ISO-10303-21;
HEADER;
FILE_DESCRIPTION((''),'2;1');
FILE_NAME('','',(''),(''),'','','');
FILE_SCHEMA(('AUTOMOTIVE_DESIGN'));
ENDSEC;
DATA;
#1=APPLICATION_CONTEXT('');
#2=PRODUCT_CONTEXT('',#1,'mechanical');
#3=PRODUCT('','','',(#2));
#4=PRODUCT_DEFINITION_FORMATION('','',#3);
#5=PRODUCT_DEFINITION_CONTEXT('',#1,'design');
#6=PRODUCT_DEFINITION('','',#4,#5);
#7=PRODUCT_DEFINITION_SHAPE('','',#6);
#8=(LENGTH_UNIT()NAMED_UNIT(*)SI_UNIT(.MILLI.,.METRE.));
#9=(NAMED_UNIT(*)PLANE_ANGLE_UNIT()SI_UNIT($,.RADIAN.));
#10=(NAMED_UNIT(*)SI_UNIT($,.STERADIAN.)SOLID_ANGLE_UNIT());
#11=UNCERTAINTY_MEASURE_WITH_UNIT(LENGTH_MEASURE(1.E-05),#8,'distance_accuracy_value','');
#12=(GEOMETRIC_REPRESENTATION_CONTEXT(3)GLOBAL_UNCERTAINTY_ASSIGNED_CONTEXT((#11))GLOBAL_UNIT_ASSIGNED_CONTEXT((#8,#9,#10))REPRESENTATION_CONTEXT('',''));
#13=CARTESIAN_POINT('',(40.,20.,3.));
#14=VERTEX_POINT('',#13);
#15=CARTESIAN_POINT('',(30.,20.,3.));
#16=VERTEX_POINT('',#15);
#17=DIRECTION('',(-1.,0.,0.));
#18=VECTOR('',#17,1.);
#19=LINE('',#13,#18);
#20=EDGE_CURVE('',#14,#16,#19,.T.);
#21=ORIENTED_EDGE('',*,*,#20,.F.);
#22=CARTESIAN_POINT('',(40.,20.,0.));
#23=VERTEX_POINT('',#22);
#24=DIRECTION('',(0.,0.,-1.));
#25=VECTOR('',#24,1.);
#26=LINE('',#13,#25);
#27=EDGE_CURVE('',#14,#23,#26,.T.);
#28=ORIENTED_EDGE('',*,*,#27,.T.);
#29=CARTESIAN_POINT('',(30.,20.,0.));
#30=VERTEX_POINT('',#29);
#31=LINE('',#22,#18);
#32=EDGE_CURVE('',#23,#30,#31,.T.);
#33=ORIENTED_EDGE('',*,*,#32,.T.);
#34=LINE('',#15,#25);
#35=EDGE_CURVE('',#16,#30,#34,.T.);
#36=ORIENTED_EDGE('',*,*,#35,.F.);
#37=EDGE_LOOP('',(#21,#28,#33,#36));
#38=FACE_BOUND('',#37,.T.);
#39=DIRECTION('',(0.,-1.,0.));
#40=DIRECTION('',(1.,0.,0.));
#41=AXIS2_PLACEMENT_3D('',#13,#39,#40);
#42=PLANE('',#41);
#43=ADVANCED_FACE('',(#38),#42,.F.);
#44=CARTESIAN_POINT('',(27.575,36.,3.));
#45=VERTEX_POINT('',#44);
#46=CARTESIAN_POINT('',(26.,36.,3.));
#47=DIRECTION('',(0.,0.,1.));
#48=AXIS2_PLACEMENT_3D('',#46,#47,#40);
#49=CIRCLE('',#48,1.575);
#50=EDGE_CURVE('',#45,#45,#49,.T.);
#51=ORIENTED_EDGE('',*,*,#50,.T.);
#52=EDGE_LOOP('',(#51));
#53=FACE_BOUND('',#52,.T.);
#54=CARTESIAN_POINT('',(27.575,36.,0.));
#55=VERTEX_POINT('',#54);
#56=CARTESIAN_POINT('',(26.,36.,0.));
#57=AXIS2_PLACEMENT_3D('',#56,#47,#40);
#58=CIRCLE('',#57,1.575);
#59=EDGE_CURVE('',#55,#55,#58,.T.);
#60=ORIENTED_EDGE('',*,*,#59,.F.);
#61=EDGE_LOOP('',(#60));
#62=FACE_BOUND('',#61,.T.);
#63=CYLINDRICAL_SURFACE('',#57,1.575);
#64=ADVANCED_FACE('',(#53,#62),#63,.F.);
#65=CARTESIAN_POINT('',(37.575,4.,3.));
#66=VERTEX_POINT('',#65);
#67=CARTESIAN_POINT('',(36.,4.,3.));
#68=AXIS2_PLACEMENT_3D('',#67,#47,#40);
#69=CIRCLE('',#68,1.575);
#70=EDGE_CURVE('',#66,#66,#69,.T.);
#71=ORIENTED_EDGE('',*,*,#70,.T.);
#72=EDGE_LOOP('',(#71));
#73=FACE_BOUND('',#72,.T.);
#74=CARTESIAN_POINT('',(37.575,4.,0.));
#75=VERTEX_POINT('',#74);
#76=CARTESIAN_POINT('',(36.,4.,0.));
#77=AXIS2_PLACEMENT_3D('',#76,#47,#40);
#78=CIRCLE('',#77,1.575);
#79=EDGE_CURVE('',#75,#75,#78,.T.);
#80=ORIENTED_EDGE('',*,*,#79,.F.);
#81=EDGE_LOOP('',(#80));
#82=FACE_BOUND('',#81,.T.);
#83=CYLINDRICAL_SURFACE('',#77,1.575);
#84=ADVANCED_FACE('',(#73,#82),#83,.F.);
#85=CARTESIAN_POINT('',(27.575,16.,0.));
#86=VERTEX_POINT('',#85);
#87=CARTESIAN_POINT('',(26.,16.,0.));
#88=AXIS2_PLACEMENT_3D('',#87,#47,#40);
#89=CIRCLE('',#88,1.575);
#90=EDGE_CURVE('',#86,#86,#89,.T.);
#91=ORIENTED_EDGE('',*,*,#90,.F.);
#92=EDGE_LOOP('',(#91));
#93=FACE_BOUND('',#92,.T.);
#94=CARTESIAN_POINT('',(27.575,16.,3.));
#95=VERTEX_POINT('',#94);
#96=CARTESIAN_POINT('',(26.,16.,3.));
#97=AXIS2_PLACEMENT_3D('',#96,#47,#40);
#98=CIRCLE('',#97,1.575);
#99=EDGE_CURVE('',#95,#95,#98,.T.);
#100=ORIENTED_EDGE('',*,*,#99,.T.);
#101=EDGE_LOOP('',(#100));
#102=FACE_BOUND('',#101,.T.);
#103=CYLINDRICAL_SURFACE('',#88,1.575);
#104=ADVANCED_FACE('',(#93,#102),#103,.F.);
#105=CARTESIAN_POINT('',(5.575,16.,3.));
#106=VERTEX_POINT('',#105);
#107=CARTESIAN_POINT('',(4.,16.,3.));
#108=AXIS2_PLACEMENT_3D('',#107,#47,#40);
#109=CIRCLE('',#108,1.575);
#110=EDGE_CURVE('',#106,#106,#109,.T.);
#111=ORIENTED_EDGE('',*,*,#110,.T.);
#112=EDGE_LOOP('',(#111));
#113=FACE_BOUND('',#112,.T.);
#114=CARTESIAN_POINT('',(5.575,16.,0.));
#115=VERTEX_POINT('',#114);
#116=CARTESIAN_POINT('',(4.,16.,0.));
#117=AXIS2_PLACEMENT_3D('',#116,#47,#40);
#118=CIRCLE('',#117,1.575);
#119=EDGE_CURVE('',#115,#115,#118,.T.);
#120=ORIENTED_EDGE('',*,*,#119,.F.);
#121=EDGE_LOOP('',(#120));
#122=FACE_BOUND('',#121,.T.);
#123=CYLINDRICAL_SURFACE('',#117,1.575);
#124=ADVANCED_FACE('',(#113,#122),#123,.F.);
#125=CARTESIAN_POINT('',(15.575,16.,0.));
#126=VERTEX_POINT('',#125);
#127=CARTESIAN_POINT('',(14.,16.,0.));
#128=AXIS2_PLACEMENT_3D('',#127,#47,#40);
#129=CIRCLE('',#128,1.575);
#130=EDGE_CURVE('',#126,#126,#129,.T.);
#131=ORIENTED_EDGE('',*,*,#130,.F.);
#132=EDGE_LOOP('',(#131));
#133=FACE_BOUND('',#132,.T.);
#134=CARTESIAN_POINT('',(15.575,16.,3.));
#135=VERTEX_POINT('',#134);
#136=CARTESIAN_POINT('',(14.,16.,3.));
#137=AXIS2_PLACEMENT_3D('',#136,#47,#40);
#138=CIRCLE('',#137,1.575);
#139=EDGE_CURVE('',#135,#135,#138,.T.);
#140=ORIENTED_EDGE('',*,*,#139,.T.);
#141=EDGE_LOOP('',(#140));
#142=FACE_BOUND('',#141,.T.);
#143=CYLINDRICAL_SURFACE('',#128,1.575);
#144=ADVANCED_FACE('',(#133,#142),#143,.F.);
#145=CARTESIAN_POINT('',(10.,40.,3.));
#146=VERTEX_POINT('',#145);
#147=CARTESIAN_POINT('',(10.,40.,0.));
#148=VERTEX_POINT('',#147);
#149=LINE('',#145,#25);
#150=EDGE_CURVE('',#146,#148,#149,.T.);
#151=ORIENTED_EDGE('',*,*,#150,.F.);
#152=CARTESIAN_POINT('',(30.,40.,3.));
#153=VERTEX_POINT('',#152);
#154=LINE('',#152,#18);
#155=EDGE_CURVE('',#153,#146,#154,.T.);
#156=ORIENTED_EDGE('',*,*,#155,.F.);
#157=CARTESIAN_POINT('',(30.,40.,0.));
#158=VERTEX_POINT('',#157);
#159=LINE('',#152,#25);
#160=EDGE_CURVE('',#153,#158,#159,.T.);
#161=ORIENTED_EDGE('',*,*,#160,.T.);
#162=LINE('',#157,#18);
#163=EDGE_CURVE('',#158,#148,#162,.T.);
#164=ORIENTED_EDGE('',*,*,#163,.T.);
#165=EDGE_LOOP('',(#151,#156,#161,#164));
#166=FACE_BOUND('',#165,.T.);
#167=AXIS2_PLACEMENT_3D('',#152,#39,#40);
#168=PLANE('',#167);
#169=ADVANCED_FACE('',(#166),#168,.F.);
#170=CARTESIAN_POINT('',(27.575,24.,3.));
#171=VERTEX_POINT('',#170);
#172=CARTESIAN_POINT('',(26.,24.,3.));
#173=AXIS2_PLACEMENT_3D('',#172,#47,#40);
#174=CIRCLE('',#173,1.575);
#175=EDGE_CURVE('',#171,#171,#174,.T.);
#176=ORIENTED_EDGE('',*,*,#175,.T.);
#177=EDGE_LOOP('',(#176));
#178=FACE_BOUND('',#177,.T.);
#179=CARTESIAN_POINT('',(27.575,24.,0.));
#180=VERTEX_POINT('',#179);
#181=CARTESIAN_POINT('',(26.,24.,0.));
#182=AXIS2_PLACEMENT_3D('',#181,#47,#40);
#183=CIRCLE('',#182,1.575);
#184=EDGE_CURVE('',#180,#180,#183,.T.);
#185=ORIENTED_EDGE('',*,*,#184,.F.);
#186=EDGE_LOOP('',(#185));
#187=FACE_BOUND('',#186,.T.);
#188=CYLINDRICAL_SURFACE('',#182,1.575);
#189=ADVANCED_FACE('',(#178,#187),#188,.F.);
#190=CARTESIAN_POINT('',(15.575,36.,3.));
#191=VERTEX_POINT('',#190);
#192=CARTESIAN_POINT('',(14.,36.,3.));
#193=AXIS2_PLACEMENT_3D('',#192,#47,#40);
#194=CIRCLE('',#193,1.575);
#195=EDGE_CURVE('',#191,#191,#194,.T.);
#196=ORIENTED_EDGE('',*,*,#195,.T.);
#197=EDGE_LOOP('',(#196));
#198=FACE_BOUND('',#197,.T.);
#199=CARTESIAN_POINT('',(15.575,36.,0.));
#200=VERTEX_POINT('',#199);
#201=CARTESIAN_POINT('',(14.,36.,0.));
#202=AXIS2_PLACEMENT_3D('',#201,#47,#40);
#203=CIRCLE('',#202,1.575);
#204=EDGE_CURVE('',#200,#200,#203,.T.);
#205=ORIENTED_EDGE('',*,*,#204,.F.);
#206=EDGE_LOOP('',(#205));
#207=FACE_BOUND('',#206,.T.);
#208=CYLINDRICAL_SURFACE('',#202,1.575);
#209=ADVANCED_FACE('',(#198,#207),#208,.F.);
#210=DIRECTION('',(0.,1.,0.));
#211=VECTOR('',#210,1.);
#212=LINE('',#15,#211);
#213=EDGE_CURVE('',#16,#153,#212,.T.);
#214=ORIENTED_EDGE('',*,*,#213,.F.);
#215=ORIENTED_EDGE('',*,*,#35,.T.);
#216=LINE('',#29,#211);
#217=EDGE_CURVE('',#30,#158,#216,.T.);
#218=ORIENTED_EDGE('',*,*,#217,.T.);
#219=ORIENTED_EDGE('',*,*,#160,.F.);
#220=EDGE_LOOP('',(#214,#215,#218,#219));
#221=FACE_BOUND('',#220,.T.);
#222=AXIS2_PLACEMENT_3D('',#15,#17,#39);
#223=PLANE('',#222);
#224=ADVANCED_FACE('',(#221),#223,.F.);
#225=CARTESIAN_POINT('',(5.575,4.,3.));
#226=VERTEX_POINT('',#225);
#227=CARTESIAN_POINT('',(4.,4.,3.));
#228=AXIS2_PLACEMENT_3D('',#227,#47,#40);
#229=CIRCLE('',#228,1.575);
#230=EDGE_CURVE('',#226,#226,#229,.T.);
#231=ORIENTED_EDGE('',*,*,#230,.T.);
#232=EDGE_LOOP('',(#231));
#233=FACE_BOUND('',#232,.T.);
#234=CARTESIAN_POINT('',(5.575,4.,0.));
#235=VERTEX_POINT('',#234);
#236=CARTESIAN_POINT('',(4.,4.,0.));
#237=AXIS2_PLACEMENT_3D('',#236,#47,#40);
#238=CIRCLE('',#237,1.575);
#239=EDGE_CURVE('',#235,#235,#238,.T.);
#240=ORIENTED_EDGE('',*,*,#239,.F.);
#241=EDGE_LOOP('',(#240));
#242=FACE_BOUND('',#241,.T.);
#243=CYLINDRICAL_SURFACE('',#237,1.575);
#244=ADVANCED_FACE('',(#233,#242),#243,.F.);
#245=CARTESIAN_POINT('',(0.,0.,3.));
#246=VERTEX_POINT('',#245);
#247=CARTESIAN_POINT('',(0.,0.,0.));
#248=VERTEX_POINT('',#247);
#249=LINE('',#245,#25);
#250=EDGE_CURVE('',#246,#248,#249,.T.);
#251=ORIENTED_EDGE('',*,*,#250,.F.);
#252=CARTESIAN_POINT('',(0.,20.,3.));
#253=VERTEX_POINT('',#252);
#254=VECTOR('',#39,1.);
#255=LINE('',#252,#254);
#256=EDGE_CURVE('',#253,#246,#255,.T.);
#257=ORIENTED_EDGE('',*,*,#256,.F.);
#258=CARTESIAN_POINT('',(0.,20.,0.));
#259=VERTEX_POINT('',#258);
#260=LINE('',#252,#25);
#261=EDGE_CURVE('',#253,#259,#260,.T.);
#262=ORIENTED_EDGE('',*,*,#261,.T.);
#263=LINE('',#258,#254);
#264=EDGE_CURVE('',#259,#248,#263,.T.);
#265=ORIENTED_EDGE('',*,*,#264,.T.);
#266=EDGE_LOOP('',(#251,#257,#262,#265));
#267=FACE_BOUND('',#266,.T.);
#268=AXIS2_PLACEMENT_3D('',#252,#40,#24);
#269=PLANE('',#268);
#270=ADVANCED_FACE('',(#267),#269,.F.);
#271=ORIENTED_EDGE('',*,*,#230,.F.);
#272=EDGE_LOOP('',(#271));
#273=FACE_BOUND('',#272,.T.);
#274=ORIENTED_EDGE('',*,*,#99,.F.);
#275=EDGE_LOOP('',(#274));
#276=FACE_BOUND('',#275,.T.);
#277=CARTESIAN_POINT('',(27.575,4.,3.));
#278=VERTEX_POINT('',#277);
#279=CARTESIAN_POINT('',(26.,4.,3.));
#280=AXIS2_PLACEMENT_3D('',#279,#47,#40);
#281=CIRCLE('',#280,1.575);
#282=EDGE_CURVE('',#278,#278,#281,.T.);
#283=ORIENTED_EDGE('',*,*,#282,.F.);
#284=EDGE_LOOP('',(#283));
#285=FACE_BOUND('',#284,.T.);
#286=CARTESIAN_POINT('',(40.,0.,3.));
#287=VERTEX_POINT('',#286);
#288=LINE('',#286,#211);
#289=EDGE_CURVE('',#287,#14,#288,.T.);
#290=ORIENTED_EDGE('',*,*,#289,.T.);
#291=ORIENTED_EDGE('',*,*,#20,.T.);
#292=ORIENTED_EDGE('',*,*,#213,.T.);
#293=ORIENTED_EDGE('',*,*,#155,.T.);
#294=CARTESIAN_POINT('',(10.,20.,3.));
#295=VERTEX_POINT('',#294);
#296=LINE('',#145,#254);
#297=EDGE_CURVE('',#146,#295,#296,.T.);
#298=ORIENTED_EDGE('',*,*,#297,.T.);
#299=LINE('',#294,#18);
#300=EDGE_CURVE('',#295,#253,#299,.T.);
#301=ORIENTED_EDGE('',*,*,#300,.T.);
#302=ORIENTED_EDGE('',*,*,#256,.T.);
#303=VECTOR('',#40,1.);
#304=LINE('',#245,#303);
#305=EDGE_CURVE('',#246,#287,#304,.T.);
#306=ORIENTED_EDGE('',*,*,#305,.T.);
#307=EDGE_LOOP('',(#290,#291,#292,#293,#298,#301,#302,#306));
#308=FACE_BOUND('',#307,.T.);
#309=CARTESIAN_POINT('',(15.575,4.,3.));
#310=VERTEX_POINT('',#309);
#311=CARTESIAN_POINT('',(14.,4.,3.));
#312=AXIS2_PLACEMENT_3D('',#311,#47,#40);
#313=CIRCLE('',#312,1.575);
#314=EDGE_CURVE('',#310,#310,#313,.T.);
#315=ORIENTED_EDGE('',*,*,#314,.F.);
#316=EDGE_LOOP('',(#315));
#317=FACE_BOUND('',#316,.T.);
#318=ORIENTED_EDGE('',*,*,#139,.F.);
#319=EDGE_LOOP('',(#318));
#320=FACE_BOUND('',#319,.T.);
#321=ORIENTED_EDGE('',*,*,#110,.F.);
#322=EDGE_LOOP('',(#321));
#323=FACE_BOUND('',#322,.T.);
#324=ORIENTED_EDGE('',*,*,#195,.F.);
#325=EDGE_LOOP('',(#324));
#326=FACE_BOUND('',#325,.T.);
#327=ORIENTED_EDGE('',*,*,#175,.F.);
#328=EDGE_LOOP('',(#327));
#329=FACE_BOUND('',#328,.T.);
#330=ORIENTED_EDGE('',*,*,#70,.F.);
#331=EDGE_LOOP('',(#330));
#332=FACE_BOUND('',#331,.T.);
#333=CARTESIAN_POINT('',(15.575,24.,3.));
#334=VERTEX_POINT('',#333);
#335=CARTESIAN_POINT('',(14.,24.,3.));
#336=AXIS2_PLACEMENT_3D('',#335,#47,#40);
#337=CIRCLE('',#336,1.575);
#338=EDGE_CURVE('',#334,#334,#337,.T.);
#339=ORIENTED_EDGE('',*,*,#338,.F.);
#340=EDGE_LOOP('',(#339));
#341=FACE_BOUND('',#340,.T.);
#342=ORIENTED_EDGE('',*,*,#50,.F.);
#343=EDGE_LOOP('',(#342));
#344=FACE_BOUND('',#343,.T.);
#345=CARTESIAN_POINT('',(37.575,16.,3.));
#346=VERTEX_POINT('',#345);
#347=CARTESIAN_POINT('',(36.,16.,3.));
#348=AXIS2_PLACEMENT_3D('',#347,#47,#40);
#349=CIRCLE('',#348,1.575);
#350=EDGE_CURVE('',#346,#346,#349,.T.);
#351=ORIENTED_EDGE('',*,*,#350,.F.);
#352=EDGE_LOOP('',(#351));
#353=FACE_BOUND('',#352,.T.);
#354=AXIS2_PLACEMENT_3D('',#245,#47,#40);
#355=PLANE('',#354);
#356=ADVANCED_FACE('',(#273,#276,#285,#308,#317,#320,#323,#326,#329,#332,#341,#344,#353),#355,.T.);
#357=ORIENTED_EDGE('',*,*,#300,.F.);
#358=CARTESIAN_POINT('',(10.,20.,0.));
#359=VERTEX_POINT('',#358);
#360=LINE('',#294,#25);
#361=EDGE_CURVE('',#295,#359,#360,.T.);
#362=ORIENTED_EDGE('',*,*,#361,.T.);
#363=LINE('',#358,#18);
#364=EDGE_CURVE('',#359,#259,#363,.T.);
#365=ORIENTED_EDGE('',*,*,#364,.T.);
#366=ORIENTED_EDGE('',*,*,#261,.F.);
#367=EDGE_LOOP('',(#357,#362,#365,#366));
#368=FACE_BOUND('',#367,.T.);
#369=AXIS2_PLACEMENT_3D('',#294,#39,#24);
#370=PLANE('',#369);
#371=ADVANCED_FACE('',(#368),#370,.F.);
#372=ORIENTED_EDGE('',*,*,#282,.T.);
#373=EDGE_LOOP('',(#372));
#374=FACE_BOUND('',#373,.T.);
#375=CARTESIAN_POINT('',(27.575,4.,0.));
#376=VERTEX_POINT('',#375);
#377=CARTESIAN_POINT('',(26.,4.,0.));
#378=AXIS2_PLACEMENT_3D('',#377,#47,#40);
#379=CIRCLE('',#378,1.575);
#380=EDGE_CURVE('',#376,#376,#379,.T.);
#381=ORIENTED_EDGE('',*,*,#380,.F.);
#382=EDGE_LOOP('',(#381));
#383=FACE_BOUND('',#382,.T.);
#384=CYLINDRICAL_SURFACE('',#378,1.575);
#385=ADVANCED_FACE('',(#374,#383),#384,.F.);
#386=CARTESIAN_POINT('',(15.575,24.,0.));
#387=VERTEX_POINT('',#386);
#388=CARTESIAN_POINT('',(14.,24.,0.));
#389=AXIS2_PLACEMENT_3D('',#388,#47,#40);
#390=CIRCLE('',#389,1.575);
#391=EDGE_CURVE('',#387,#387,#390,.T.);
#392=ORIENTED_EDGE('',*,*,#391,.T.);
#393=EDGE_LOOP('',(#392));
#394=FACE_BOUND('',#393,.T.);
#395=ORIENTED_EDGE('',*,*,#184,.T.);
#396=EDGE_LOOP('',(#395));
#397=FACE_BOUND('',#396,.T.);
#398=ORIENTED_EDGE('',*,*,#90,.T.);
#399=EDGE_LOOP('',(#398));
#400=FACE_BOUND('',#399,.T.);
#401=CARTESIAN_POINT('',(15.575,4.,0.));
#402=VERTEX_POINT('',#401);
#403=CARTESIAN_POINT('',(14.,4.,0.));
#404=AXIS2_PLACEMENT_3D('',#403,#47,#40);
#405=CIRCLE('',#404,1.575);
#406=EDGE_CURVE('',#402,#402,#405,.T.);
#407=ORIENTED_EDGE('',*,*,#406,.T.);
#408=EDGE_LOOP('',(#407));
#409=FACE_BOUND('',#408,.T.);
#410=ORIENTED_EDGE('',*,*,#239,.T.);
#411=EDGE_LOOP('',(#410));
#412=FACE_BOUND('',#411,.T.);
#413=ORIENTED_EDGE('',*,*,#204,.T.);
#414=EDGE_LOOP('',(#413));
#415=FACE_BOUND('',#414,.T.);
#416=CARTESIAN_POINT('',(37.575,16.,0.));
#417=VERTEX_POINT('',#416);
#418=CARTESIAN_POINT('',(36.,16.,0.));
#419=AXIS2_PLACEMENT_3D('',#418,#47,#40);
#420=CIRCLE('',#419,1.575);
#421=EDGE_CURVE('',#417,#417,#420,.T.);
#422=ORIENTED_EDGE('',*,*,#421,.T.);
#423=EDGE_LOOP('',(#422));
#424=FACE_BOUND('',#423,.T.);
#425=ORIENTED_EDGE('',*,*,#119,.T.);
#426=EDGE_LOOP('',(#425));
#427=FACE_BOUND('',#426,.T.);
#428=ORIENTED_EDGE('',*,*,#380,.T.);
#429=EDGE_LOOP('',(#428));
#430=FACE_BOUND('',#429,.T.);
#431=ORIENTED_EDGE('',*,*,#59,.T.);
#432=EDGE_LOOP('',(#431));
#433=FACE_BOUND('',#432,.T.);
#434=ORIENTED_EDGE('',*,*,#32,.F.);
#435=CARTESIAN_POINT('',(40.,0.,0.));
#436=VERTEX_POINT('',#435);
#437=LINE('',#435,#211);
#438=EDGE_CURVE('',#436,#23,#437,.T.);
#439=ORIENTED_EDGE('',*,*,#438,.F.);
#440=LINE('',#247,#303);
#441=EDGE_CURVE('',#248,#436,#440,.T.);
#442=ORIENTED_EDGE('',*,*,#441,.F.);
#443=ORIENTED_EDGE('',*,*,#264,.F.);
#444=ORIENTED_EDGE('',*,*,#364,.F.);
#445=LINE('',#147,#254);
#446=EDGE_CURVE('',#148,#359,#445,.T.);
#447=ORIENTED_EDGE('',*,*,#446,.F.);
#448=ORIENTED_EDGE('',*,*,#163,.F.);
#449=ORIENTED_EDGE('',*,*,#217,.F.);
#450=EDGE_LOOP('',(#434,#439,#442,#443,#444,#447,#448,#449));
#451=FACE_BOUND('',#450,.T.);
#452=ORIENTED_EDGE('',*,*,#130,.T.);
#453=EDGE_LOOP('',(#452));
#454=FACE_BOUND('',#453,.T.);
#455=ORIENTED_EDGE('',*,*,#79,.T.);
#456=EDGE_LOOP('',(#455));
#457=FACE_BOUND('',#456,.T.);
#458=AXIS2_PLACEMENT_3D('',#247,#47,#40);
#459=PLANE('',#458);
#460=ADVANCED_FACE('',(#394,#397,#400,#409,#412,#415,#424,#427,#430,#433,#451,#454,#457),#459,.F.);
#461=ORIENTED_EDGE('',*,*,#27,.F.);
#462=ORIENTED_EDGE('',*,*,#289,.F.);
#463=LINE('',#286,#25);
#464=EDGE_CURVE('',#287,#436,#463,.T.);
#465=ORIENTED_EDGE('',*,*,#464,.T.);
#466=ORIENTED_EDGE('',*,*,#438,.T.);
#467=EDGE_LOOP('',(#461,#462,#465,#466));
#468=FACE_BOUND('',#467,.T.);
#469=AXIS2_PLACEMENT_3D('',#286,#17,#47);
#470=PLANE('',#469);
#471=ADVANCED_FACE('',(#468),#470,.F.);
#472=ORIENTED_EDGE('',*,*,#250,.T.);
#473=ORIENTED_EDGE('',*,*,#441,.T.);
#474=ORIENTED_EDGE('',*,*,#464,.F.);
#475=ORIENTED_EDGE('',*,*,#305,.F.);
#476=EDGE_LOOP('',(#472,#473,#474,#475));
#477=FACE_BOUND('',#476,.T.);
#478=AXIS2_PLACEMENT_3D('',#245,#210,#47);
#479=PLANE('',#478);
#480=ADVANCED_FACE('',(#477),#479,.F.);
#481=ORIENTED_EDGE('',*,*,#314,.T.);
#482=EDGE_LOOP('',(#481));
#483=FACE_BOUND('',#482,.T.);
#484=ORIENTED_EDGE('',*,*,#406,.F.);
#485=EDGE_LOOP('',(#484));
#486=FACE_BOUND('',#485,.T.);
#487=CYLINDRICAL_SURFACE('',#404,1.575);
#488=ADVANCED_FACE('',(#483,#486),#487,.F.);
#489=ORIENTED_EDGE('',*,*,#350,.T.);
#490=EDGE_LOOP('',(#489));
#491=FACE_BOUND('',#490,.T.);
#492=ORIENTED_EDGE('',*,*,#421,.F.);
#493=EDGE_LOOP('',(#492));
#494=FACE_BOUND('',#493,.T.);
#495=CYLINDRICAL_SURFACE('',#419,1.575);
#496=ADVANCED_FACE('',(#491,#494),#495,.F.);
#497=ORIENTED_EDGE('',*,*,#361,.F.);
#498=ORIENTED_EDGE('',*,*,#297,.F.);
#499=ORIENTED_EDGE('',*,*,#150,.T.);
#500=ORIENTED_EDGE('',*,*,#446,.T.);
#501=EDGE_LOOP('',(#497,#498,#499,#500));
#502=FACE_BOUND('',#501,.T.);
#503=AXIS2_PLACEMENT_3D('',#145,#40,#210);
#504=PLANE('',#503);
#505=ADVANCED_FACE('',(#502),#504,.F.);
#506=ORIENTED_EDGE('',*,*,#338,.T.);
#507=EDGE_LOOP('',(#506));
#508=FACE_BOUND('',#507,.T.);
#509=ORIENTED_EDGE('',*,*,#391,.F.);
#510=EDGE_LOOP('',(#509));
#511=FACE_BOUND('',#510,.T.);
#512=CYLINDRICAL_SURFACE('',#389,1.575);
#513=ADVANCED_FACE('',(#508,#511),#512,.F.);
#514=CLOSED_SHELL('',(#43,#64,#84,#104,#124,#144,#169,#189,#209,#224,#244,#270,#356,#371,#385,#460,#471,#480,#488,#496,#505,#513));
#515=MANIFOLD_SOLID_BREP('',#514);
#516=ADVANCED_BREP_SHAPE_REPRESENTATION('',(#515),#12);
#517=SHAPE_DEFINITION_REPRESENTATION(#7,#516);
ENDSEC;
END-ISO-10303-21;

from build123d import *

# Parameters (mm, degrees)
EXTRUDE_1_DEPTH     = 3
SKETCH_2_R          = 1.575
CUT_EXTRUDE_1_DEPTH = 3


with BuildPart() as part:
    # 草图1 → 凸台-拉伸1 (new body)
    with BuildSketch(Plane.XY):
        Polygon((0, 0), (40, 0), (40, 20), (30, 20), (30, 40), (10, 40), (10, 20), (0, 20), align=None)
    extrude(amount=EXTRUDE_1_DEPTH)

    # 草图2 → 切除-拉伸1 (cut)
    with BuildSketch(Plane.XY.offset(3)):
        with Locations((14, 36)):
            Circle(SKETCH_2_R)
        with Locations((26, 36)):
            Circle(SKETCH_2_R)
        with Locations((26, 24)):
            Circle(SKETCH_2_R)
        with Locations((14, 24)):
            Circle(SKETCH_2_R)
        with Locations((4, 16)):
            Circle(SKETCH_2_R)
        with Locations((4, 4)):
            Circle(SKETCH_2_R)
        with Locations((14, 16)):
            Circle(SKETCH_2_R)
        with Locations((14, 4)):
            Circle(SKETCH_2_R)
        with Locations((36, 16)):
            Circle(SKETCH_2_R)
        with Locations((36, 4)):
            Circle(SKETCH_2_R)
        with Locations((26, 4)):
            Circle(SKETCH_2_R)
        with Locations((26, 16)):
            Circle(SKETCH_2_R)
    extrude(amount=-CUT_EXTRUDE_1_DEPTH, mode=Mode.SUBTRACT)


solid = part.part
